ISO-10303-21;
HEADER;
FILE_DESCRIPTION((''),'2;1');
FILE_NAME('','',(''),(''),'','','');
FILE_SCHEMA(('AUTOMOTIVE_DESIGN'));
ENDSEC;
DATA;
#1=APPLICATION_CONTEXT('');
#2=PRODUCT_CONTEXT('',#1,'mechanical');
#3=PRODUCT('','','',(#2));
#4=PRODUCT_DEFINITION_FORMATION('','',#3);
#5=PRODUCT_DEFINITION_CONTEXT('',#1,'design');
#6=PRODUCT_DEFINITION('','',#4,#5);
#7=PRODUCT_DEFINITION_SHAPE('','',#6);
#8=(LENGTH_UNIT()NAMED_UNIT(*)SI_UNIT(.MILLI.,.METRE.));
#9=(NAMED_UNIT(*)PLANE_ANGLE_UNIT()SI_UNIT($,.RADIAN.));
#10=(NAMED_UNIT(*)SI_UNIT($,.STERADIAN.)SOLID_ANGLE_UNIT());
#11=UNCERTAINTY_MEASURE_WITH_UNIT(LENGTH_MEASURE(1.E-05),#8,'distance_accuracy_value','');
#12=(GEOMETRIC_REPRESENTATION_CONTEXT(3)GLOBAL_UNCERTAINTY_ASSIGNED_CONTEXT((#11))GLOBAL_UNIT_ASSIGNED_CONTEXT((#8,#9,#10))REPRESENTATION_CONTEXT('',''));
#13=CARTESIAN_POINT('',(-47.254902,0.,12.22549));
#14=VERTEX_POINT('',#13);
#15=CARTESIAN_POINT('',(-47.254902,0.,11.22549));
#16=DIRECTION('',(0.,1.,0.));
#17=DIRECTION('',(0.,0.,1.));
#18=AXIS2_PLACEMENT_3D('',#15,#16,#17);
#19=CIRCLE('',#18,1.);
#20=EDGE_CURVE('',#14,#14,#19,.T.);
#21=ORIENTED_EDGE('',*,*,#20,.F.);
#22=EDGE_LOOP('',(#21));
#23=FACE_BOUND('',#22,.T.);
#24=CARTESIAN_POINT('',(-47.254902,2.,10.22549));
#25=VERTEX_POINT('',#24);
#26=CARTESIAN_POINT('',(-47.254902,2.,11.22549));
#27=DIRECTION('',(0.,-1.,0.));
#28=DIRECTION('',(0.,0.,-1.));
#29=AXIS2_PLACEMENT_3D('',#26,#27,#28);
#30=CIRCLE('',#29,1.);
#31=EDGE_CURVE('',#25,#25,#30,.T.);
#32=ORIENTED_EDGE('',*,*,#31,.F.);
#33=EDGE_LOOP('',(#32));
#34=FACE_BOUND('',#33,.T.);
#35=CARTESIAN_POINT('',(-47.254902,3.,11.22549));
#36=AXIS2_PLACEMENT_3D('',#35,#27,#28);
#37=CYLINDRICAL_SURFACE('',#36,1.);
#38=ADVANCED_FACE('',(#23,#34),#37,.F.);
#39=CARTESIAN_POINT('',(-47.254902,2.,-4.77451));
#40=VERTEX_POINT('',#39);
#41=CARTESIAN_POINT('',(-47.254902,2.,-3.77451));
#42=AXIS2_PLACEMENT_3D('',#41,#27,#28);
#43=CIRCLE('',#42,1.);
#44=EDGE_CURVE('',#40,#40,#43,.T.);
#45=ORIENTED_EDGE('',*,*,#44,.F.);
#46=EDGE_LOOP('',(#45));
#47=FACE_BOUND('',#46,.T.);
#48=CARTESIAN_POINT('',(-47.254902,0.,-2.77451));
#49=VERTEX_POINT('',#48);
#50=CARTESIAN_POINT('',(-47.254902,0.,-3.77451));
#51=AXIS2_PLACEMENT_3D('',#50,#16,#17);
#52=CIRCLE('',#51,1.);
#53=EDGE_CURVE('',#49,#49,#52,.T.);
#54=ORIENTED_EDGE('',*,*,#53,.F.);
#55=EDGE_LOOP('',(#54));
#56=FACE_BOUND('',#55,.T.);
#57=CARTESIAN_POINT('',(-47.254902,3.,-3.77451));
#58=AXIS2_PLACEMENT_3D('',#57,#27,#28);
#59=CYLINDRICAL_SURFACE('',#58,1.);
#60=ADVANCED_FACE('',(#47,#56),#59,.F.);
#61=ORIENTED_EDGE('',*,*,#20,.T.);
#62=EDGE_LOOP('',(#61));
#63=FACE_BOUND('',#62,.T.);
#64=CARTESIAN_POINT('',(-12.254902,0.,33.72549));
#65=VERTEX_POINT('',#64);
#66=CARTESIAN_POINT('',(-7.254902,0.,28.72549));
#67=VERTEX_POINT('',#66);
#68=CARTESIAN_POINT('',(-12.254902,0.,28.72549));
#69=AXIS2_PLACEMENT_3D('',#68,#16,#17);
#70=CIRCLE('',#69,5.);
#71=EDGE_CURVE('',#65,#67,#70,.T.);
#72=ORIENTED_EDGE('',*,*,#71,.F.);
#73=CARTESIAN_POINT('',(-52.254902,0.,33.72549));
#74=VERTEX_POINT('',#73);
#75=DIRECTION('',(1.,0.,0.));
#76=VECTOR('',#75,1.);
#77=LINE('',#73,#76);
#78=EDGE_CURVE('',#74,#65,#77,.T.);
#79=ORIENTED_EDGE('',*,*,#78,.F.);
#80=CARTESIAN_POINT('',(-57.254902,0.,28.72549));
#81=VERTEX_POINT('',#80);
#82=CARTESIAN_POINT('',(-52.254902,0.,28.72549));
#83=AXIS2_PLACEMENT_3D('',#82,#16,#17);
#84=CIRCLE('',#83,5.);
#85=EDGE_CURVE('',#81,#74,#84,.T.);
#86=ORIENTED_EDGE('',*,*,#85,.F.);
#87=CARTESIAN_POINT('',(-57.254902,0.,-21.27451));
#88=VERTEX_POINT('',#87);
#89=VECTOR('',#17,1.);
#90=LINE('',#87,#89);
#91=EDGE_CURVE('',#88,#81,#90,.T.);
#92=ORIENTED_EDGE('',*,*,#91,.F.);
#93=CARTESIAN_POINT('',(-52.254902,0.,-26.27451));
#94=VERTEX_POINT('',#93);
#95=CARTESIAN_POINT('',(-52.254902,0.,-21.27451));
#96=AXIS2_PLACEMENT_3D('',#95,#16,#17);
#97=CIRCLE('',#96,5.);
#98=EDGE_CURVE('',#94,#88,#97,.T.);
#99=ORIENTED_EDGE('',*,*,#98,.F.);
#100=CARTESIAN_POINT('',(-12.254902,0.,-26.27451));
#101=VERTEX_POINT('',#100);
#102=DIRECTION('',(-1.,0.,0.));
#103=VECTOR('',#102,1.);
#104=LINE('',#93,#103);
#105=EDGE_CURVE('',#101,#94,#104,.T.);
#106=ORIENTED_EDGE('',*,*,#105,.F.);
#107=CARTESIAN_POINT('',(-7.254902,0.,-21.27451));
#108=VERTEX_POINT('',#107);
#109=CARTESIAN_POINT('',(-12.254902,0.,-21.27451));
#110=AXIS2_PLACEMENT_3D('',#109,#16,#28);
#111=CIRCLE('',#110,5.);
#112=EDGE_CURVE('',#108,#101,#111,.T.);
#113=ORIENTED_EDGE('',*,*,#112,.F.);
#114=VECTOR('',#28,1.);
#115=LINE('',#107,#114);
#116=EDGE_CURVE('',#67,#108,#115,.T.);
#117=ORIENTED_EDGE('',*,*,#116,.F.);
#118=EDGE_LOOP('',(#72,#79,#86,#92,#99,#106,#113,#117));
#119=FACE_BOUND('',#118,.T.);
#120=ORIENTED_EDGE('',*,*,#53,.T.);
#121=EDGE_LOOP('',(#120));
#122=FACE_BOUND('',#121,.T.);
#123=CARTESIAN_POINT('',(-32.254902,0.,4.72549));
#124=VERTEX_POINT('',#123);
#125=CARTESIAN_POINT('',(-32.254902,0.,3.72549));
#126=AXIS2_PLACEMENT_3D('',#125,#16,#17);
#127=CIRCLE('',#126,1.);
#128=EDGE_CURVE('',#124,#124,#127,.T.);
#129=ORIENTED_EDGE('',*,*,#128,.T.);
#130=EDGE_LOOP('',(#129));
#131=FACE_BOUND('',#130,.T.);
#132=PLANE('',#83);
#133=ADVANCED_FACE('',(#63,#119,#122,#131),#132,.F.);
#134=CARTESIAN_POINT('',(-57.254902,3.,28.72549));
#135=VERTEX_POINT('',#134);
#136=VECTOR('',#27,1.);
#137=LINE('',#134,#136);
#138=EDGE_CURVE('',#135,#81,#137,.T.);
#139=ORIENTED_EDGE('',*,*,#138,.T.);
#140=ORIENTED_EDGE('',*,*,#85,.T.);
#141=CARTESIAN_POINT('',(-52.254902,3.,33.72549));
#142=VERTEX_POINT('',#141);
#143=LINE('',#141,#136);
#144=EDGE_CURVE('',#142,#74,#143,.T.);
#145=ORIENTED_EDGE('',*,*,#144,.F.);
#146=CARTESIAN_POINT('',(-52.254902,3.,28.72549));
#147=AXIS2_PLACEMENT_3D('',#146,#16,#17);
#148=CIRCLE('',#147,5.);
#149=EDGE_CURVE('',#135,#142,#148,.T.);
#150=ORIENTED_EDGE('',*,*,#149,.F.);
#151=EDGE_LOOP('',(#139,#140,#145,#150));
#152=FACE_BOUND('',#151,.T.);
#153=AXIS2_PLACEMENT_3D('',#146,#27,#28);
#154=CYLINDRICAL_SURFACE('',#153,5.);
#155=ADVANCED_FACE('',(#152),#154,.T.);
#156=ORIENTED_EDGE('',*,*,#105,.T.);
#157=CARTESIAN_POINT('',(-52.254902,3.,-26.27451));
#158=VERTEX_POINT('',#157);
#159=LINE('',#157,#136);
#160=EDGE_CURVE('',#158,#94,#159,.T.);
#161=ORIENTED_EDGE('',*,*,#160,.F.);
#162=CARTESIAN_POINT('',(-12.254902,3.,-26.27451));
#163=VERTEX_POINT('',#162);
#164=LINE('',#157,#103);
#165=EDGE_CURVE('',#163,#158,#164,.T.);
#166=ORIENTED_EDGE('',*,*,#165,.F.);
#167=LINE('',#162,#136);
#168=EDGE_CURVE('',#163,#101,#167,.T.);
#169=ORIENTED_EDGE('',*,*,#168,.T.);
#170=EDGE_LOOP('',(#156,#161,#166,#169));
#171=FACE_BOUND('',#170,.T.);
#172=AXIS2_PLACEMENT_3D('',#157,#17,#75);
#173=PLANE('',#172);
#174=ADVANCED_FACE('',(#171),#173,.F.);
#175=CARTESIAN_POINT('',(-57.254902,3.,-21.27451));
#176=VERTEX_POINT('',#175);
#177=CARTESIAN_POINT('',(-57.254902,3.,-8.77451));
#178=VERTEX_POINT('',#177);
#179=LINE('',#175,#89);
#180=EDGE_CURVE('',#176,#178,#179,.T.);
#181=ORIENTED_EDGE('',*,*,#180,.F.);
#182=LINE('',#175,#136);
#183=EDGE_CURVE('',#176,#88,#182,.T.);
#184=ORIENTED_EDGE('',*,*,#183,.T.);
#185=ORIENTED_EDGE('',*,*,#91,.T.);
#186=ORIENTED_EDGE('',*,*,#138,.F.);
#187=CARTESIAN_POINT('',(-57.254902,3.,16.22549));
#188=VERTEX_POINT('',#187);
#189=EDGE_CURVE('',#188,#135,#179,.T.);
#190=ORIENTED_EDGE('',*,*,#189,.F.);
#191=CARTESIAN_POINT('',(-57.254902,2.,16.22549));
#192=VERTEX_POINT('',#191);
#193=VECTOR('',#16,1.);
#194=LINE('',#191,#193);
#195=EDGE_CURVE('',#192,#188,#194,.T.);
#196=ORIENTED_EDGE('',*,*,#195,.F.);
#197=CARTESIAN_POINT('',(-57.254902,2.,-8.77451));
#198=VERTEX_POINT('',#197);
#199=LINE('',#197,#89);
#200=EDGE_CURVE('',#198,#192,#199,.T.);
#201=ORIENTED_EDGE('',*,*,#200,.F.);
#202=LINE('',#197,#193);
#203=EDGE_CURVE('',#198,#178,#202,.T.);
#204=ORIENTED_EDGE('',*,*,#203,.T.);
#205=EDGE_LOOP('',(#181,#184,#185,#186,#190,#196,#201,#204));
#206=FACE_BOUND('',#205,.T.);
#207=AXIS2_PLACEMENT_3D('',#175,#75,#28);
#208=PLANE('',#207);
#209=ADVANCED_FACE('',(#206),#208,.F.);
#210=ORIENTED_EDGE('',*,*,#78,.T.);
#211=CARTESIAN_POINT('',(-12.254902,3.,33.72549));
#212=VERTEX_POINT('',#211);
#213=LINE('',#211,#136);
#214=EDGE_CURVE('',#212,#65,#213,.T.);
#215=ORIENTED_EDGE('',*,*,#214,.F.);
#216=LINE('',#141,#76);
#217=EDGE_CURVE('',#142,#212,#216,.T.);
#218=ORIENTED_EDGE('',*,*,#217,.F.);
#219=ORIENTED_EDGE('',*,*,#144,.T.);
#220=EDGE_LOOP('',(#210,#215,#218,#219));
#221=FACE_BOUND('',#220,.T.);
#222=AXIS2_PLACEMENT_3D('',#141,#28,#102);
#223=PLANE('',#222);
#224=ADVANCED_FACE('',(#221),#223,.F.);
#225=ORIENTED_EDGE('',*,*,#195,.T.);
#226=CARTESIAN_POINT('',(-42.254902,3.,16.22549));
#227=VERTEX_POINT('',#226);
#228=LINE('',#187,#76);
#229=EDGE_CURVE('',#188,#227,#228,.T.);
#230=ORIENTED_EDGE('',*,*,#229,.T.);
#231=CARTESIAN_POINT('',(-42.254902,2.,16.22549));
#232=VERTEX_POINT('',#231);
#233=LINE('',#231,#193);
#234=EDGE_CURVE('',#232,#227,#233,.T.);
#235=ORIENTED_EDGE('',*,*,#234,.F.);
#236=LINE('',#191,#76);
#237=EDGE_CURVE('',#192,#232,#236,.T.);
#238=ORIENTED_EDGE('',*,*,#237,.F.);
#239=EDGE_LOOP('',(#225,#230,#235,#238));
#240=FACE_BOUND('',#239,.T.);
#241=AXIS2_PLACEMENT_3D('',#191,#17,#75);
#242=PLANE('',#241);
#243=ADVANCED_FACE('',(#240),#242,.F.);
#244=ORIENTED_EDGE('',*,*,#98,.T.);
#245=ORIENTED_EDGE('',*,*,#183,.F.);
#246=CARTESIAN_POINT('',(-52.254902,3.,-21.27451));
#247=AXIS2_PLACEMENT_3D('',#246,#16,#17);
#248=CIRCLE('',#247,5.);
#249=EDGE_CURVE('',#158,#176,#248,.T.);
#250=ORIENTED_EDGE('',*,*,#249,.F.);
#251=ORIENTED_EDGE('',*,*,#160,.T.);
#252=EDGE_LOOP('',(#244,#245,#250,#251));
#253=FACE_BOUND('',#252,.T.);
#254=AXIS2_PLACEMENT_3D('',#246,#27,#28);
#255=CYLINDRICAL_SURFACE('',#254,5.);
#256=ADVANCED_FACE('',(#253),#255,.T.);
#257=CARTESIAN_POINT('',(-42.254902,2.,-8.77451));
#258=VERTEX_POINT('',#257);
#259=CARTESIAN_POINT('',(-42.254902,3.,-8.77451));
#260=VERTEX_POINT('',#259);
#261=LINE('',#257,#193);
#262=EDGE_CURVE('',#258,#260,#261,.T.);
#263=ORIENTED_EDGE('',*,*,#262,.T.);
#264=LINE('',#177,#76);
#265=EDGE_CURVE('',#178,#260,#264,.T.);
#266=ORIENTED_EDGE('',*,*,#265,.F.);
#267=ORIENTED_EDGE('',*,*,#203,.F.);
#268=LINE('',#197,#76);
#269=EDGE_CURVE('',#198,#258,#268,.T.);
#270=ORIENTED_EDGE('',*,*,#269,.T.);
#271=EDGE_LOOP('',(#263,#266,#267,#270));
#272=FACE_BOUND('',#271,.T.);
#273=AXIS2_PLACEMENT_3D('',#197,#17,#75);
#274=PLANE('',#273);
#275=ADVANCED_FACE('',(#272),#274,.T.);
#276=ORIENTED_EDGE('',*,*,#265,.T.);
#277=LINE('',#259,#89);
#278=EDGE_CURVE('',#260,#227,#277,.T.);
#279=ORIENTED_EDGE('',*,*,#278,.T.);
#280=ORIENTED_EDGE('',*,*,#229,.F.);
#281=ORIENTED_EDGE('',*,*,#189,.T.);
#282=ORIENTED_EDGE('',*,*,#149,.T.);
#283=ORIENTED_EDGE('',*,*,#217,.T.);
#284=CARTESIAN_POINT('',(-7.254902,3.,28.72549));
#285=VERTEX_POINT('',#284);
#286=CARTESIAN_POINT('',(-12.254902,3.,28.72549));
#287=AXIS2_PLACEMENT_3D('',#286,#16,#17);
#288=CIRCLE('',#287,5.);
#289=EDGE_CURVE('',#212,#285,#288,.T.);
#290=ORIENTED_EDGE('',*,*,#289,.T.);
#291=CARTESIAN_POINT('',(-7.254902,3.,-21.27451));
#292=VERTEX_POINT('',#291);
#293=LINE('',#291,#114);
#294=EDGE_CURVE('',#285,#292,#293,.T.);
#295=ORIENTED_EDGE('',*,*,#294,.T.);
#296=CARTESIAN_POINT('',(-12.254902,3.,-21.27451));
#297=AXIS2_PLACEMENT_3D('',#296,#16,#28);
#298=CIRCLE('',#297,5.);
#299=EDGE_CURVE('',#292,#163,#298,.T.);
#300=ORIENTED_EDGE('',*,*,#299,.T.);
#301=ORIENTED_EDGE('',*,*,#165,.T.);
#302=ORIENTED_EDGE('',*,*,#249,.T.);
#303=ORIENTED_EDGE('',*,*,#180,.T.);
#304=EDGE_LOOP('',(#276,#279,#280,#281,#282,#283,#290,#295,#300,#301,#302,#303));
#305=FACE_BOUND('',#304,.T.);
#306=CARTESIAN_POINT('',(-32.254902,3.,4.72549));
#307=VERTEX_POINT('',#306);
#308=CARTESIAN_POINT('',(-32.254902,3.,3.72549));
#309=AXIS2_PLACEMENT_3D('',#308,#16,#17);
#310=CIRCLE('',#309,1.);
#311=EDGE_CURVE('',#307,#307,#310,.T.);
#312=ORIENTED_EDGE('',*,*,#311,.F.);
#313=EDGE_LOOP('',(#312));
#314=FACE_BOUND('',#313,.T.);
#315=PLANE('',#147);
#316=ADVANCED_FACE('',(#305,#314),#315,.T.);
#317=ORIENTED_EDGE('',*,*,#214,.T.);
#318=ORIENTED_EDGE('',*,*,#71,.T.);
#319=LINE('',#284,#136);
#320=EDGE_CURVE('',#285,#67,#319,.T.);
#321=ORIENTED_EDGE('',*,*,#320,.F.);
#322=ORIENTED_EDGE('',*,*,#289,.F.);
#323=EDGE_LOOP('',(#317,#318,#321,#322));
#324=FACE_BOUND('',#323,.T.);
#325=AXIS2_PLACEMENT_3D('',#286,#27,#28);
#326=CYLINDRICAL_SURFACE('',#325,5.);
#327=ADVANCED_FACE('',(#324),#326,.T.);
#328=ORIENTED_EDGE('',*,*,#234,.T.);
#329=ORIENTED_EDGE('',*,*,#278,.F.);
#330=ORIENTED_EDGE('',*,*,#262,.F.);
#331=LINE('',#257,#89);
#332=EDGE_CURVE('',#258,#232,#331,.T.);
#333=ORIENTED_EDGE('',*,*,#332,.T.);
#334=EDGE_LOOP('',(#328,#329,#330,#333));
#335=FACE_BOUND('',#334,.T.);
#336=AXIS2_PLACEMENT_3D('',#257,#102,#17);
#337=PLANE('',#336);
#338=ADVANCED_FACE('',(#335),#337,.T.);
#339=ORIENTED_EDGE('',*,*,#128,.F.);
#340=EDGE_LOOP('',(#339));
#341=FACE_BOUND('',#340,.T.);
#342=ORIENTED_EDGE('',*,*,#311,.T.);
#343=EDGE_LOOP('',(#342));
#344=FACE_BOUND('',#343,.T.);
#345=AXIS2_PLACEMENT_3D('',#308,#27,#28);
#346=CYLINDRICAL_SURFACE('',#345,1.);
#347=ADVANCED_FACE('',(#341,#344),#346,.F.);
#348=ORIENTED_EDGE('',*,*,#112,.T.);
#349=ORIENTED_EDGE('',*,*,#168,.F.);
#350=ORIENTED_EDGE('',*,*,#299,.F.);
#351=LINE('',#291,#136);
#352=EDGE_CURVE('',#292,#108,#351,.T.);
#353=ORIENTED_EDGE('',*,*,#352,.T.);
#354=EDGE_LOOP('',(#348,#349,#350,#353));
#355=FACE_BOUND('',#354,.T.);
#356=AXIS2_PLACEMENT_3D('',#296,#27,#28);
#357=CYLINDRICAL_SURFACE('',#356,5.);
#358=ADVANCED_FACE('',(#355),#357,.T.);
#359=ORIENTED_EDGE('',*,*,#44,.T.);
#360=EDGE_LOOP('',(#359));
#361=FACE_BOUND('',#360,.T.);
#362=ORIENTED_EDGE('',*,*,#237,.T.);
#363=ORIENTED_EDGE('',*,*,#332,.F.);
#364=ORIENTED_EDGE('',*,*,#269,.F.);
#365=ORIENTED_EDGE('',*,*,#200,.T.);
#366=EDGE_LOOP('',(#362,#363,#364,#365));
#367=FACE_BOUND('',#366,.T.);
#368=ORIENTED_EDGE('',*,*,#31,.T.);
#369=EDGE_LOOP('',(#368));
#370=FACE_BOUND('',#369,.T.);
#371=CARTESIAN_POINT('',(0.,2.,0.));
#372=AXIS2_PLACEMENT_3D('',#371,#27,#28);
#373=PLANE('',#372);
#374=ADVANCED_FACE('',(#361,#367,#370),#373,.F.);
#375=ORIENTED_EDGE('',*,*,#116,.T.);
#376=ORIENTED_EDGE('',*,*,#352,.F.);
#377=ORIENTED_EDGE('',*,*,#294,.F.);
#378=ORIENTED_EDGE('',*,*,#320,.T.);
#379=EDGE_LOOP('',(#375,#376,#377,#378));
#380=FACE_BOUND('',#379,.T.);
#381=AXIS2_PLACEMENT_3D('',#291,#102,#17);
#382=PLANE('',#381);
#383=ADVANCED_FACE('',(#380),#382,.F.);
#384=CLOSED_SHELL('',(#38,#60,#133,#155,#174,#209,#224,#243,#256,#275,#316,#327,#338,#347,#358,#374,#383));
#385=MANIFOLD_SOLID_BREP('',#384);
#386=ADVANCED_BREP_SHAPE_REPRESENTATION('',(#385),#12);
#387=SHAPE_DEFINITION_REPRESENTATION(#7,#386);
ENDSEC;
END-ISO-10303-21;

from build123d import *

# Parameters (mm, degrees)
SKETCH1_R           = 1
BOSS_EXTRUDE1_DEPTH = 3
SKETCH2_W           = 15
SKETCH2_H           = 25
CUT_EXTRUDE1_DEPTH  = 1


with BuildPart() as part:
    # Sketch1 → Boss-Extrude1 (new body)
    with BuildSketch(Plane(origin=(0, 0, 0), x_dir=(1, 0, 0), z_dir=(0, 1, 0))):
        with BuildLine():
            Line((-52.254901961, 26.274509804), (-12.254901961, 26.274509804))
            ThreePointArc((-12.254901961, 26.274509804), (-8.719368055, 24.81004371), (-7.254901961, 21.274509804))
            Line((-7.254901961, 21.274509804), (-7.254901961, -28.725490196))
            ThreePointArc((-7.254901961, -28.725490196), (-8.719368055, -32.261024102), (-12.254901961, -33.725490196))
            Line((-12.254901961, -33.725490196), (-52.254901961, -33.725490196))
            ThreePointArc((-52.254901961, -33.725490196), (-55.790435867, -32.261024102), (-57.254901961, -28.725490196))
            Line((-57.254901961, -28.725490196), (-57.254901961, 21.274509804))
            ThreePointArc((-57.254901961, 21.274509804), (-55.790435867, 24.81004371), (-52.254901961, 26.274509804))
        make_face()
        with Locations(Location((-32.254901961, -3.725490196, 0), (0, 0, 270))):
            Circle(SKETCH1_R, mode=Mode.SUBTRACT)
        with Locations(Location((-47.254901961, 3.774509804, 0), (0, 0, 270))):
            Circle(SKETCH1_R, mode=Mode.SUBTRACT)
        with Locations(Location((-47.254901961, -11.225490196, 0), (0, 0, 270))):
            Circle(SKETCH1_R, mode=Mode.SUBTRACT)
    extrude(amount=BOSS_EXTRUDE1_DEPTH)

    # Sketch2 → Cut-Extrude1 (cut)
    with BuildSketch(Plane(origin=(0, 3, 0), x_dir=(1, 0, 0), z_dir=(0, 1, 0))):
        with Locations((-49.754901961, -3.725490196)):
            Rectangle(SKETCH2_W, SKETCH2_H)
    extrude(amount=-CUT_EXTRUDE1_DEPTH, mode=Mode.SUBTRACT)


solid = part.part
